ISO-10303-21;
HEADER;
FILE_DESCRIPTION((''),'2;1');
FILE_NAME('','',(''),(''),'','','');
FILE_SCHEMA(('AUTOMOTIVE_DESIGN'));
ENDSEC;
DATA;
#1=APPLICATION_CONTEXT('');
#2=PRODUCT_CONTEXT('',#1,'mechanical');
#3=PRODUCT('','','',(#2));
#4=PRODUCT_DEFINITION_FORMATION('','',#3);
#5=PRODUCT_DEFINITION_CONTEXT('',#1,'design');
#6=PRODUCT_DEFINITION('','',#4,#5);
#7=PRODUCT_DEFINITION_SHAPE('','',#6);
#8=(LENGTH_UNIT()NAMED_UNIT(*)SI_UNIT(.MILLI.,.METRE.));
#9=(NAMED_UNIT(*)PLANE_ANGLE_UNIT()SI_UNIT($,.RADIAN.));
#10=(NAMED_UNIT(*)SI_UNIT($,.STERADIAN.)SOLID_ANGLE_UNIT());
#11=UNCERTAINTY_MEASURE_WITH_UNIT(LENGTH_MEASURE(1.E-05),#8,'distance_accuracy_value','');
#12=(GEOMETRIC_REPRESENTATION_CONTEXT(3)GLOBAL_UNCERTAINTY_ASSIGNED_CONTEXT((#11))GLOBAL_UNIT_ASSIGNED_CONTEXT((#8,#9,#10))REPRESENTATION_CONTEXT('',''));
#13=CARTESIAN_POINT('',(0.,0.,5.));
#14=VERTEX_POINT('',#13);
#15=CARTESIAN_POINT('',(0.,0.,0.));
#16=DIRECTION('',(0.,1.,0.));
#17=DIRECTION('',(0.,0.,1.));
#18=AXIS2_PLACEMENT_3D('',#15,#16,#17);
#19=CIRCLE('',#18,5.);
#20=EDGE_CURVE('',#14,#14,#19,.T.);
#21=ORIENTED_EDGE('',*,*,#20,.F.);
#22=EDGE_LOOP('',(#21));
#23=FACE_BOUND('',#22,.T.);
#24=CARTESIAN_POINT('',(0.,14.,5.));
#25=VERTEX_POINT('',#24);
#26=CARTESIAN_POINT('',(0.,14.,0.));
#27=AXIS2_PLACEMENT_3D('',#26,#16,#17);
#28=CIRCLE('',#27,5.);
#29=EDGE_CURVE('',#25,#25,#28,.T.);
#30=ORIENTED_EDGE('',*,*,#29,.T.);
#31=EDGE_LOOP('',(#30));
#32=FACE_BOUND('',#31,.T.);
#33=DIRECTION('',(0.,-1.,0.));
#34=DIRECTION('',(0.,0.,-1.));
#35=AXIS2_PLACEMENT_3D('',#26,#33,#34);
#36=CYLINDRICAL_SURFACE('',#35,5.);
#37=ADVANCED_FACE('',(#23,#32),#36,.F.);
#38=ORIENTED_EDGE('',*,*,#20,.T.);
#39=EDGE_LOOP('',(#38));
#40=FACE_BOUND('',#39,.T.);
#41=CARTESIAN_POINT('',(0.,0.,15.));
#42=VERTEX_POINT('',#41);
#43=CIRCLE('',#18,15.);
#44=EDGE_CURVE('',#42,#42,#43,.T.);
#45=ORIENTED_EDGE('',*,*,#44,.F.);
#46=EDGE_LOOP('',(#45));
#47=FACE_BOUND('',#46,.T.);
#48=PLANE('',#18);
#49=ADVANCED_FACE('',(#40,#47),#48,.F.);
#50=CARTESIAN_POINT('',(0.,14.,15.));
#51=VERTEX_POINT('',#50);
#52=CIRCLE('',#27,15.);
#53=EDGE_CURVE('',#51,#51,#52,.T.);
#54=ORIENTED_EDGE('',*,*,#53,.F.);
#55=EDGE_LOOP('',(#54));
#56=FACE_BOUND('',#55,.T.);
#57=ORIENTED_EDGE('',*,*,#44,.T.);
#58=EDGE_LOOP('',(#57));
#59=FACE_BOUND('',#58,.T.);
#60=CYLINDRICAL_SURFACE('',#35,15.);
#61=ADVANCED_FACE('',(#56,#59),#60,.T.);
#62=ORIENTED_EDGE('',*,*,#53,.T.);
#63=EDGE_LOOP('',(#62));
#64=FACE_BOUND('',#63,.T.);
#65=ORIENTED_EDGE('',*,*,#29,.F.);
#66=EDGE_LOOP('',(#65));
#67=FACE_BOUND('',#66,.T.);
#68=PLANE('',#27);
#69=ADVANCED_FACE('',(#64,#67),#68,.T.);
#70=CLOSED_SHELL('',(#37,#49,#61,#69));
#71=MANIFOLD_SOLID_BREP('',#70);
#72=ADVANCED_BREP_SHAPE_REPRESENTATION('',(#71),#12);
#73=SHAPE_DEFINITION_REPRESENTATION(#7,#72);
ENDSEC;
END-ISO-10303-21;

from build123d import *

# Parameters (mm, degrees)
SKETCH1_R           = 15
SKETCH1_R_2         = 5
BOSS_EXTRUDE1_DEPTH = 14


with BuildPart() as part:
    # Sketch1 → Boss-Extrude1 (new body)
    with BuildSketch(Plane(origin=(0, 0, 0), x_dir=(1, 0, 0), z_dir=(0, 1, 0))):
        Circle(SKETCH1_R)
        Circle(SKETCH1_R_2, mode=Mode.SUBTRACT)
    extrude(amount=BOSS_EXTRUDE1_DEPTH)


solid = part.part
